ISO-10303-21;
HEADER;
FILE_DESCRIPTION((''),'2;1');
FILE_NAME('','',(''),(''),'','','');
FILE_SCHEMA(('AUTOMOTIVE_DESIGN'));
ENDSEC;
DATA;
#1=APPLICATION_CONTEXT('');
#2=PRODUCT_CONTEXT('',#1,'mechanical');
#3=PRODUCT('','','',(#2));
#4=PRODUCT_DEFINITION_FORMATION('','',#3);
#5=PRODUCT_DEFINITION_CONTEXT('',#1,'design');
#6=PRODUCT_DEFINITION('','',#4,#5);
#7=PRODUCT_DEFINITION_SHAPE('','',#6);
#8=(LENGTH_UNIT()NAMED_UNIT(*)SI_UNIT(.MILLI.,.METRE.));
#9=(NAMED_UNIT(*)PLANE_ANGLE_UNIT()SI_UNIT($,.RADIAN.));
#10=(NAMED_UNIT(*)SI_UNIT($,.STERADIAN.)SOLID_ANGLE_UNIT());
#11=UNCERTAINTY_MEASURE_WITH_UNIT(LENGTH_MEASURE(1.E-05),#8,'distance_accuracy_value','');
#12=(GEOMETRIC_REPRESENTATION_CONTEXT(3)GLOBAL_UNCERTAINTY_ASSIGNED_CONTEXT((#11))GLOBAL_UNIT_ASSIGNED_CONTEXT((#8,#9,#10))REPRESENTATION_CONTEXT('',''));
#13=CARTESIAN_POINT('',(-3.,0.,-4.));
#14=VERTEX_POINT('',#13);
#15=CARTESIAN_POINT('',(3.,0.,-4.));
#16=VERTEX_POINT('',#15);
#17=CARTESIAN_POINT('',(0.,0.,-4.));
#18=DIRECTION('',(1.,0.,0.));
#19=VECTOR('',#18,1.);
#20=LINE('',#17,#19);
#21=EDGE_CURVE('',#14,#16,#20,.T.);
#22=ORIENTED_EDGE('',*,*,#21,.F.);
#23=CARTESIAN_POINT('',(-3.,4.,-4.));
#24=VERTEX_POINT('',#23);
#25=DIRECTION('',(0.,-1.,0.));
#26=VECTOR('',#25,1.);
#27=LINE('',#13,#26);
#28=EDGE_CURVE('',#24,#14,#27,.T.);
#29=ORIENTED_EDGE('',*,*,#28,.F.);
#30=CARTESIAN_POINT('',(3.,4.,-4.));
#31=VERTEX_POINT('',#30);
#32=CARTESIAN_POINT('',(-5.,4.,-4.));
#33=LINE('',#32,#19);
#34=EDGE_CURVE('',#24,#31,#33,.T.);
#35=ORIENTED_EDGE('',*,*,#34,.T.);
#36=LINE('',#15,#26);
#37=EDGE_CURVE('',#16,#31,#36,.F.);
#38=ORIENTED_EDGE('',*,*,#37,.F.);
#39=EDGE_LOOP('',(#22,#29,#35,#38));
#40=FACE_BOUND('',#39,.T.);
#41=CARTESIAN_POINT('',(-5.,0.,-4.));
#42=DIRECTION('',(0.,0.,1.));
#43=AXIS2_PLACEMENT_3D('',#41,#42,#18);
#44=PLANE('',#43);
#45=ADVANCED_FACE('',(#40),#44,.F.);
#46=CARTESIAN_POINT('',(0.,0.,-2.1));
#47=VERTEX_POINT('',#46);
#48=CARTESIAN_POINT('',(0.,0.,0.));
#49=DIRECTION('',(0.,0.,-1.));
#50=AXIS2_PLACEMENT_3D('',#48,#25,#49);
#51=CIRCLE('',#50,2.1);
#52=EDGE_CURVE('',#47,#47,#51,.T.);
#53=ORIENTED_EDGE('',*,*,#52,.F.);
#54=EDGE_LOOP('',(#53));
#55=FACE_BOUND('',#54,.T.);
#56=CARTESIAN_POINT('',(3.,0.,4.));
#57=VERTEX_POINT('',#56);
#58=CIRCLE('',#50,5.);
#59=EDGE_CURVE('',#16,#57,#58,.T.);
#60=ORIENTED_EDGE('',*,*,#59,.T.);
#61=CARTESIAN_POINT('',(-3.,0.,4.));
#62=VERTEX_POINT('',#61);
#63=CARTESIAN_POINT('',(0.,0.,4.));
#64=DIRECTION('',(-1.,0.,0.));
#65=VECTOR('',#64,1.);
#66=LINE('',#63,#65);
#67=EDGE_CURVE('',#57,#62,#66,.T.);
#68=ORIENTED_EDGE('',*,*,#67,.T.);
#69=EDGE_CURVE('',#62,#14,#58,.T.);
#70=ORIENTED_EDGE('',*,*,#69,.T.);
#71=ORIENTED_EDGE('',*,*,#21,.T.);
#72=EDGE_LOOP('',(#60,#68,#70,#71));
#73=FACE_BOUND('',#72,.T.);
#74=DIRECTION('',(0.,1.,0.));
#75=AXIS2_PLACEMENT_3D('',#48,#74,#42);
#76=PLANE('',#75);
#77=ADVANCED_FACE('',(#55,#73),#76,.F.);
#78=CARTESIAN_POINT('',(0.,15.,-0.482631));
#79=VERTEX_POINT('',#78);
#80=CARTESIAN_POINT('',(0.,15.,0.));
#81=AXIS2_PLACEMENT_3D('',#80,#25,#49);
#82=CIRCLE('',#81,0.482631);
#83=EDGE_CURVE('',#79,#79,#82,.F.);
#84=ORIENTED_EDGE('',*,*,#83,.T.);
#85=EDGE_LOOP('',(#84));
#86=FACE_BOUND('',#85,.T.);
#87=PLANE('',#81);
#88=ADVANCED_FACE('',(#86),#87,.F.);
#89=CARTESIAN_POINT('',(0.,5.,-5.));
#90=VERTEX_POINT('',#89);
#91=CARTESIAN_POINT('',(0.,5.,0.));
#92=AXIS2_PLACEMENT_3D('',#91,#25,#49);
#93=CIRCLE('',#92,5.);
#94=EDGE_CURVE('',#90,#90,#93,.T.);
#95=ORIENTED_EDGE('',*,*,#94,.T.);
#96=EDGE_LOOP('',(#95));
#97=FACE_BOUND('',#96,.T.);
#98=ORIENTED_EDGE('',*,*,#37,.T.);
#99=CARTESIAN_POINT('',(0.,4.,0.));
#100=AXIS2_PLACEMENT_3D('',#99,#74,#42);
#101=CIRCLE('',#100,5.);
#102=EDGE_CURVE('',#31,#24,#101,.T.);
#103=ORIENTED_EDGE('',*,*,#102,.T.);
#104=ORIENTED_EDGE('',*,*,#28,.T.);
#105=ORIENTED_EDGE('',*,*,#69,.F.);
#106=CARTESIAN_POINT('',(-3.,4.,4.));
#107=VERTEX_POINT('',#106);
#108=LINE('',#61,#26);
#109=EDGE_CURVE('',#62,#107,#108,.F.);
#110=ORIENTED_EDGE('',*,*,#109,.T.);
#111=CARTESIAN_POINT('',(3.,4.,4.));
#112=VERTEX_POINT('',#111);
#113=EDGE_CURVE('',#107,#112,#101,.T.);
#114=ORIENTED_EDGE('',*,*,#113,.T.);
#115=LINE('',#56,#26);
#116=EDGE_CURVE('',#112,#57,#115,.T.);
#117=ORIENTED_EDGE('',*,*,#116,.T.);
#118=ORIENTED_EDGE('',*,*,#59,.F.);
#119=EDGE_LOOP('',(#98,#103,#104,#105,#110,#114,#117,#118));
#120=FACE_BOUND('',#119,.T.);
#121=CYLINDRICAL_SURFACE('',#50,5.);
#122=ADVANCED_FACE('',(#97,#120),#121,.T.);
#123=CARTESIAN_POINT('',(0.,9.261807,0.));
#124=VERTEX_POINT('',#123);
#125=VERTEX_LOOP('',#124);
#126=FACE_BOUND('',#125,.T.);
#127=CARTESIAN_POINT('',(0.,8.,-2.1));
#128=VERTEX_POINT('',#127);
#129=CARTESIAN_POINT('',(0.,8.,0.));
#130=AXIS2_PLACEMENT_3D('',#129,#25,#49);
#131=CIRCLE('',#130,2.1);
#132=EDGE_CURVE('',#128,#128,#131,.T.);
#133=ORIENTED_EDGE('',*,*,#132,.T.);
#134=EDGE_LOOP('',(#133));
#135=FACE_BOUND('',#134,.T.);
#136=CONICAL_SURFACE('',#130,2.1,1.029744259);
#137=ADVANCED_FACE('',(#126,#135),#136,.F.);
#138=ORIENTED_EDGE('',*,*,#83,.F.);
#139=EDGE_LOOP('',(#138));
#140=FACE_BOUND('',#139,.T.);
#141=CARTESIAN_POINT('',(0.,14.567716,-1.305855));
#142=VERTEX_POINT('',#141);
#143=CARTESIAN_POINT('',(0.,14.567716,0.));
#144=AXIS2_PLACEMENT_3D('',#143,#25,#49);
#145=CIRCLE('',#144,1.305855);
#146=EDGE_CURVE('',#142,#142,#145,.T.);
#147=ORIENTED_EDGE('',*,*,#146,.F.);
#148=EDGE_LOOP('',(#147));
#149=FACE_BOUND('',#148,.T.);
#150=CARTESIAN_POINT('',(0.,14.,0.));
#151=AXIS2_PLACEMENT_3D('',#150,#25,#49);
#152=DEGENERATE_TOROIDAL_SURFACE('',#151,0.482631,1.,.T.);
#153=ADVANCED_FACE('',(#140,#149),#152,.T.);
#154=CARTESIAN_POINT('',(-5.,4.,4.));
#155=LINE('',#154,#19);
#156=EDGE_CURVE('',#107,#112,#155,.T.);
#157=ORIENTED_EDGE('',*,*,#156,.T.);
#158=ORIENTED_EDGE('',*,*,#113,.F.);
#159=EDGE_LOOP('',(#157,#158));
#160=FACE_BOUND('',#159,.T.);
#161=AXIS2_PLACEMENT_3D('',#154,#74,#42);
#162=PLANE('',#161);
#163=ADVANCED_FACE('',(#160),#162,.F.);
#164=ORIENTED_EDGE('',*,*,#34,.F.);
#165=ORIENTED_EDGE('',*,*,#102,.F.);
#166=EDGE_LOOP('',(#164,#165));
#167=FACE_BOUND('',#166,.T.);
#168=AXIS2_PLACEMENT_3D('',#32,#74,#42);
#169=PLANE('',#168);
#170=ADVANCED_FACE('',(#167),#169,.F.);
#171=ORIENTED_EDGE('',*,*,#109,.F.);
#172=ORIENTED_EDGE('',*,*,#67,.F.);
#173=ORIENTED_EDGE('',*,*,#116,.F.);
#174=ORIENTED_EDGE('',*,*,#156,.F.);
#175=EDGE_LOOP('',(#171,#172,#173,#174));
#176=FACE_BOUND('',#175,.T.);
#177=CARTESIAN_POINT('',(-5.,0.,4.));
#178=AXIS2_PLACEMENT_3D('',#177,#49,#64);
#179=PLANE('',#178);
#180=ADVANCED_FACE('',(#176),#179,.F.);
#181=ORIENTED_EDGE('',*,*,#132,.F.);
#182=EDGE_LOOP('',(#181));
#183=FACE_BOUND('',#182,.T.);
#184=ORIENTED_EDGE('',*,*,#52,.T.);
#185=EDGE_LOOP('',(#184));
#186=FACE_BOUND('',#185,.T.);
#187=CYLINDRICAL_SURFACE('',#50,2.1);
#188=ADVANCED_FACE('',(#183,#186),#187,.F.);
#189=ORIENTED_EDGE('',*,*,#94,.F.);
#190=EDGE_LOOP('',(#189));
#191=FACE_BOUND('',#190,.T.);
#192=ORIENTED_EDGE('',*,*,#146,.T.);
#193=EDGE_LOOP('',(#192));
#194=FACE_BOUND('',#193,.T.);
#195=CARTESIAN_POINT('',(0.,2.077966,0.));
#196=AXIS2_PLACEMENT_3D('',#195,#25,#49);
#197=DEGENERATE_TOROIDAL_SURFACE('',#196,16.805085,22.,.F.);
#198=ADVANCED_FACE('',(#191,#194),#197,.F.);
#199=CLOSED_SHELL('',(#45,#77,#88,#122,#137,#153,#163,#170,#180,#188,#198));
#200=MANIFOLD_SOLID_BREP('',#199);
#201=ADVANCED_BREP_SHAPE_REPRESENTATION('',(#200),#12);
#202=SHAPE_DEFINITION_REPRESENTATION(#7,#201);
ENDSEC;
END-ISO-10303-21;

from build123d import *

# Parameters (mm, degrees)
FILLET2_R                 = 1
CUT_EXTRUDE1_DEPTH        = 17.583124103
CUT_EXTRUDE1_DEPTH_BACK   = 17.583124103
SKETCH4_W                 = 3
SKETCH4_H                 = 4
M5X0_8_TAPPED_HOLE1_D     = 4.2
M5X0_8_TAPPED_HOLE1_DEPTH = 8
M5X0_8_TAPPED_HOLE1_TIP   = 1.2618073


with BuildPart() as part:
    # Sketch1 → Revolve2 (revolve)
    with BuildSketch(Plane.XY, mode=Mode.PRIVATE) as revolve2_sk:
        with BuildLine():
            Line((0, 0), (-5, 0))
            Line((-5, 0), (-5, 5))
            ThreePointArc((-5, 5), (-3.621402516, 10.248561006), (-1, 15))
            Line((-1, 15), (0, 15))
            Line((0, 15), (0, 0))
        make_face()
    revolve(revolve2_sk.sketch.rotate(Axis((0, 0, 0), (0, 1, 0)), 270), axis=Axis((0, 0, 0), (0, 1, 0)))

    # Fillet2
    fillet2_edges = [part.edges().sort_by_distance(p)[0] for p in [
        (0, 15, 1),
    ]]
    fillet(fillet2_edges, radius=FILLET2_R)

    # Sketch4 → Cut-Extrude1 (cut, two sides: drawn at the far end of the back side and taken through both)
    with BuildSketch(Plane(origin=(0, 0, 0), x_dir=(0, 0, -1), z_dir=(1, 0, 0)).offset(-CUT_EXTRUDE1_DEPTH_BACK)):
        with Locations((-5.5, 2)):
            Rectangle(SKETCH4_W, SKETCH4_H)
        with Locations((5.5, 2)):
            Rectangle(SKETCH4_W, SKETCH4_H)
    extrude(amount=CUT_EXTRUDE1_DEPTH + CUT_EXTRUDE1_DEPTH_BACK, mode=Mode.SUBTRACT)

    # M5x0.8 Tapped Hole1
    with Locations(Plane(origin=(0, 0, 0), x_dir=(-1, 0, 0), z_dir=(0, -1, 0))):
        with Locations((0, 0)):
            Hole(M5X0_8_TAPPED_HOLE1_D / 2, depth=M5X0_8_TAPPED_HOLE1_DEPTH)
            with Locations((0, 0, -(M5X0_8_TAPPED_HOLE1_DEPTH + M5X0_8_TAPPED_HOLE1_TIP / 2))):  # 118° drill point
                Cone(0, M5X0_8_TAPPED_HOLE1_D / 2, M5X0_8_TAPPED_HOLE1_TIP, mode=Mode.SUBTRACT)


solid = part.part
